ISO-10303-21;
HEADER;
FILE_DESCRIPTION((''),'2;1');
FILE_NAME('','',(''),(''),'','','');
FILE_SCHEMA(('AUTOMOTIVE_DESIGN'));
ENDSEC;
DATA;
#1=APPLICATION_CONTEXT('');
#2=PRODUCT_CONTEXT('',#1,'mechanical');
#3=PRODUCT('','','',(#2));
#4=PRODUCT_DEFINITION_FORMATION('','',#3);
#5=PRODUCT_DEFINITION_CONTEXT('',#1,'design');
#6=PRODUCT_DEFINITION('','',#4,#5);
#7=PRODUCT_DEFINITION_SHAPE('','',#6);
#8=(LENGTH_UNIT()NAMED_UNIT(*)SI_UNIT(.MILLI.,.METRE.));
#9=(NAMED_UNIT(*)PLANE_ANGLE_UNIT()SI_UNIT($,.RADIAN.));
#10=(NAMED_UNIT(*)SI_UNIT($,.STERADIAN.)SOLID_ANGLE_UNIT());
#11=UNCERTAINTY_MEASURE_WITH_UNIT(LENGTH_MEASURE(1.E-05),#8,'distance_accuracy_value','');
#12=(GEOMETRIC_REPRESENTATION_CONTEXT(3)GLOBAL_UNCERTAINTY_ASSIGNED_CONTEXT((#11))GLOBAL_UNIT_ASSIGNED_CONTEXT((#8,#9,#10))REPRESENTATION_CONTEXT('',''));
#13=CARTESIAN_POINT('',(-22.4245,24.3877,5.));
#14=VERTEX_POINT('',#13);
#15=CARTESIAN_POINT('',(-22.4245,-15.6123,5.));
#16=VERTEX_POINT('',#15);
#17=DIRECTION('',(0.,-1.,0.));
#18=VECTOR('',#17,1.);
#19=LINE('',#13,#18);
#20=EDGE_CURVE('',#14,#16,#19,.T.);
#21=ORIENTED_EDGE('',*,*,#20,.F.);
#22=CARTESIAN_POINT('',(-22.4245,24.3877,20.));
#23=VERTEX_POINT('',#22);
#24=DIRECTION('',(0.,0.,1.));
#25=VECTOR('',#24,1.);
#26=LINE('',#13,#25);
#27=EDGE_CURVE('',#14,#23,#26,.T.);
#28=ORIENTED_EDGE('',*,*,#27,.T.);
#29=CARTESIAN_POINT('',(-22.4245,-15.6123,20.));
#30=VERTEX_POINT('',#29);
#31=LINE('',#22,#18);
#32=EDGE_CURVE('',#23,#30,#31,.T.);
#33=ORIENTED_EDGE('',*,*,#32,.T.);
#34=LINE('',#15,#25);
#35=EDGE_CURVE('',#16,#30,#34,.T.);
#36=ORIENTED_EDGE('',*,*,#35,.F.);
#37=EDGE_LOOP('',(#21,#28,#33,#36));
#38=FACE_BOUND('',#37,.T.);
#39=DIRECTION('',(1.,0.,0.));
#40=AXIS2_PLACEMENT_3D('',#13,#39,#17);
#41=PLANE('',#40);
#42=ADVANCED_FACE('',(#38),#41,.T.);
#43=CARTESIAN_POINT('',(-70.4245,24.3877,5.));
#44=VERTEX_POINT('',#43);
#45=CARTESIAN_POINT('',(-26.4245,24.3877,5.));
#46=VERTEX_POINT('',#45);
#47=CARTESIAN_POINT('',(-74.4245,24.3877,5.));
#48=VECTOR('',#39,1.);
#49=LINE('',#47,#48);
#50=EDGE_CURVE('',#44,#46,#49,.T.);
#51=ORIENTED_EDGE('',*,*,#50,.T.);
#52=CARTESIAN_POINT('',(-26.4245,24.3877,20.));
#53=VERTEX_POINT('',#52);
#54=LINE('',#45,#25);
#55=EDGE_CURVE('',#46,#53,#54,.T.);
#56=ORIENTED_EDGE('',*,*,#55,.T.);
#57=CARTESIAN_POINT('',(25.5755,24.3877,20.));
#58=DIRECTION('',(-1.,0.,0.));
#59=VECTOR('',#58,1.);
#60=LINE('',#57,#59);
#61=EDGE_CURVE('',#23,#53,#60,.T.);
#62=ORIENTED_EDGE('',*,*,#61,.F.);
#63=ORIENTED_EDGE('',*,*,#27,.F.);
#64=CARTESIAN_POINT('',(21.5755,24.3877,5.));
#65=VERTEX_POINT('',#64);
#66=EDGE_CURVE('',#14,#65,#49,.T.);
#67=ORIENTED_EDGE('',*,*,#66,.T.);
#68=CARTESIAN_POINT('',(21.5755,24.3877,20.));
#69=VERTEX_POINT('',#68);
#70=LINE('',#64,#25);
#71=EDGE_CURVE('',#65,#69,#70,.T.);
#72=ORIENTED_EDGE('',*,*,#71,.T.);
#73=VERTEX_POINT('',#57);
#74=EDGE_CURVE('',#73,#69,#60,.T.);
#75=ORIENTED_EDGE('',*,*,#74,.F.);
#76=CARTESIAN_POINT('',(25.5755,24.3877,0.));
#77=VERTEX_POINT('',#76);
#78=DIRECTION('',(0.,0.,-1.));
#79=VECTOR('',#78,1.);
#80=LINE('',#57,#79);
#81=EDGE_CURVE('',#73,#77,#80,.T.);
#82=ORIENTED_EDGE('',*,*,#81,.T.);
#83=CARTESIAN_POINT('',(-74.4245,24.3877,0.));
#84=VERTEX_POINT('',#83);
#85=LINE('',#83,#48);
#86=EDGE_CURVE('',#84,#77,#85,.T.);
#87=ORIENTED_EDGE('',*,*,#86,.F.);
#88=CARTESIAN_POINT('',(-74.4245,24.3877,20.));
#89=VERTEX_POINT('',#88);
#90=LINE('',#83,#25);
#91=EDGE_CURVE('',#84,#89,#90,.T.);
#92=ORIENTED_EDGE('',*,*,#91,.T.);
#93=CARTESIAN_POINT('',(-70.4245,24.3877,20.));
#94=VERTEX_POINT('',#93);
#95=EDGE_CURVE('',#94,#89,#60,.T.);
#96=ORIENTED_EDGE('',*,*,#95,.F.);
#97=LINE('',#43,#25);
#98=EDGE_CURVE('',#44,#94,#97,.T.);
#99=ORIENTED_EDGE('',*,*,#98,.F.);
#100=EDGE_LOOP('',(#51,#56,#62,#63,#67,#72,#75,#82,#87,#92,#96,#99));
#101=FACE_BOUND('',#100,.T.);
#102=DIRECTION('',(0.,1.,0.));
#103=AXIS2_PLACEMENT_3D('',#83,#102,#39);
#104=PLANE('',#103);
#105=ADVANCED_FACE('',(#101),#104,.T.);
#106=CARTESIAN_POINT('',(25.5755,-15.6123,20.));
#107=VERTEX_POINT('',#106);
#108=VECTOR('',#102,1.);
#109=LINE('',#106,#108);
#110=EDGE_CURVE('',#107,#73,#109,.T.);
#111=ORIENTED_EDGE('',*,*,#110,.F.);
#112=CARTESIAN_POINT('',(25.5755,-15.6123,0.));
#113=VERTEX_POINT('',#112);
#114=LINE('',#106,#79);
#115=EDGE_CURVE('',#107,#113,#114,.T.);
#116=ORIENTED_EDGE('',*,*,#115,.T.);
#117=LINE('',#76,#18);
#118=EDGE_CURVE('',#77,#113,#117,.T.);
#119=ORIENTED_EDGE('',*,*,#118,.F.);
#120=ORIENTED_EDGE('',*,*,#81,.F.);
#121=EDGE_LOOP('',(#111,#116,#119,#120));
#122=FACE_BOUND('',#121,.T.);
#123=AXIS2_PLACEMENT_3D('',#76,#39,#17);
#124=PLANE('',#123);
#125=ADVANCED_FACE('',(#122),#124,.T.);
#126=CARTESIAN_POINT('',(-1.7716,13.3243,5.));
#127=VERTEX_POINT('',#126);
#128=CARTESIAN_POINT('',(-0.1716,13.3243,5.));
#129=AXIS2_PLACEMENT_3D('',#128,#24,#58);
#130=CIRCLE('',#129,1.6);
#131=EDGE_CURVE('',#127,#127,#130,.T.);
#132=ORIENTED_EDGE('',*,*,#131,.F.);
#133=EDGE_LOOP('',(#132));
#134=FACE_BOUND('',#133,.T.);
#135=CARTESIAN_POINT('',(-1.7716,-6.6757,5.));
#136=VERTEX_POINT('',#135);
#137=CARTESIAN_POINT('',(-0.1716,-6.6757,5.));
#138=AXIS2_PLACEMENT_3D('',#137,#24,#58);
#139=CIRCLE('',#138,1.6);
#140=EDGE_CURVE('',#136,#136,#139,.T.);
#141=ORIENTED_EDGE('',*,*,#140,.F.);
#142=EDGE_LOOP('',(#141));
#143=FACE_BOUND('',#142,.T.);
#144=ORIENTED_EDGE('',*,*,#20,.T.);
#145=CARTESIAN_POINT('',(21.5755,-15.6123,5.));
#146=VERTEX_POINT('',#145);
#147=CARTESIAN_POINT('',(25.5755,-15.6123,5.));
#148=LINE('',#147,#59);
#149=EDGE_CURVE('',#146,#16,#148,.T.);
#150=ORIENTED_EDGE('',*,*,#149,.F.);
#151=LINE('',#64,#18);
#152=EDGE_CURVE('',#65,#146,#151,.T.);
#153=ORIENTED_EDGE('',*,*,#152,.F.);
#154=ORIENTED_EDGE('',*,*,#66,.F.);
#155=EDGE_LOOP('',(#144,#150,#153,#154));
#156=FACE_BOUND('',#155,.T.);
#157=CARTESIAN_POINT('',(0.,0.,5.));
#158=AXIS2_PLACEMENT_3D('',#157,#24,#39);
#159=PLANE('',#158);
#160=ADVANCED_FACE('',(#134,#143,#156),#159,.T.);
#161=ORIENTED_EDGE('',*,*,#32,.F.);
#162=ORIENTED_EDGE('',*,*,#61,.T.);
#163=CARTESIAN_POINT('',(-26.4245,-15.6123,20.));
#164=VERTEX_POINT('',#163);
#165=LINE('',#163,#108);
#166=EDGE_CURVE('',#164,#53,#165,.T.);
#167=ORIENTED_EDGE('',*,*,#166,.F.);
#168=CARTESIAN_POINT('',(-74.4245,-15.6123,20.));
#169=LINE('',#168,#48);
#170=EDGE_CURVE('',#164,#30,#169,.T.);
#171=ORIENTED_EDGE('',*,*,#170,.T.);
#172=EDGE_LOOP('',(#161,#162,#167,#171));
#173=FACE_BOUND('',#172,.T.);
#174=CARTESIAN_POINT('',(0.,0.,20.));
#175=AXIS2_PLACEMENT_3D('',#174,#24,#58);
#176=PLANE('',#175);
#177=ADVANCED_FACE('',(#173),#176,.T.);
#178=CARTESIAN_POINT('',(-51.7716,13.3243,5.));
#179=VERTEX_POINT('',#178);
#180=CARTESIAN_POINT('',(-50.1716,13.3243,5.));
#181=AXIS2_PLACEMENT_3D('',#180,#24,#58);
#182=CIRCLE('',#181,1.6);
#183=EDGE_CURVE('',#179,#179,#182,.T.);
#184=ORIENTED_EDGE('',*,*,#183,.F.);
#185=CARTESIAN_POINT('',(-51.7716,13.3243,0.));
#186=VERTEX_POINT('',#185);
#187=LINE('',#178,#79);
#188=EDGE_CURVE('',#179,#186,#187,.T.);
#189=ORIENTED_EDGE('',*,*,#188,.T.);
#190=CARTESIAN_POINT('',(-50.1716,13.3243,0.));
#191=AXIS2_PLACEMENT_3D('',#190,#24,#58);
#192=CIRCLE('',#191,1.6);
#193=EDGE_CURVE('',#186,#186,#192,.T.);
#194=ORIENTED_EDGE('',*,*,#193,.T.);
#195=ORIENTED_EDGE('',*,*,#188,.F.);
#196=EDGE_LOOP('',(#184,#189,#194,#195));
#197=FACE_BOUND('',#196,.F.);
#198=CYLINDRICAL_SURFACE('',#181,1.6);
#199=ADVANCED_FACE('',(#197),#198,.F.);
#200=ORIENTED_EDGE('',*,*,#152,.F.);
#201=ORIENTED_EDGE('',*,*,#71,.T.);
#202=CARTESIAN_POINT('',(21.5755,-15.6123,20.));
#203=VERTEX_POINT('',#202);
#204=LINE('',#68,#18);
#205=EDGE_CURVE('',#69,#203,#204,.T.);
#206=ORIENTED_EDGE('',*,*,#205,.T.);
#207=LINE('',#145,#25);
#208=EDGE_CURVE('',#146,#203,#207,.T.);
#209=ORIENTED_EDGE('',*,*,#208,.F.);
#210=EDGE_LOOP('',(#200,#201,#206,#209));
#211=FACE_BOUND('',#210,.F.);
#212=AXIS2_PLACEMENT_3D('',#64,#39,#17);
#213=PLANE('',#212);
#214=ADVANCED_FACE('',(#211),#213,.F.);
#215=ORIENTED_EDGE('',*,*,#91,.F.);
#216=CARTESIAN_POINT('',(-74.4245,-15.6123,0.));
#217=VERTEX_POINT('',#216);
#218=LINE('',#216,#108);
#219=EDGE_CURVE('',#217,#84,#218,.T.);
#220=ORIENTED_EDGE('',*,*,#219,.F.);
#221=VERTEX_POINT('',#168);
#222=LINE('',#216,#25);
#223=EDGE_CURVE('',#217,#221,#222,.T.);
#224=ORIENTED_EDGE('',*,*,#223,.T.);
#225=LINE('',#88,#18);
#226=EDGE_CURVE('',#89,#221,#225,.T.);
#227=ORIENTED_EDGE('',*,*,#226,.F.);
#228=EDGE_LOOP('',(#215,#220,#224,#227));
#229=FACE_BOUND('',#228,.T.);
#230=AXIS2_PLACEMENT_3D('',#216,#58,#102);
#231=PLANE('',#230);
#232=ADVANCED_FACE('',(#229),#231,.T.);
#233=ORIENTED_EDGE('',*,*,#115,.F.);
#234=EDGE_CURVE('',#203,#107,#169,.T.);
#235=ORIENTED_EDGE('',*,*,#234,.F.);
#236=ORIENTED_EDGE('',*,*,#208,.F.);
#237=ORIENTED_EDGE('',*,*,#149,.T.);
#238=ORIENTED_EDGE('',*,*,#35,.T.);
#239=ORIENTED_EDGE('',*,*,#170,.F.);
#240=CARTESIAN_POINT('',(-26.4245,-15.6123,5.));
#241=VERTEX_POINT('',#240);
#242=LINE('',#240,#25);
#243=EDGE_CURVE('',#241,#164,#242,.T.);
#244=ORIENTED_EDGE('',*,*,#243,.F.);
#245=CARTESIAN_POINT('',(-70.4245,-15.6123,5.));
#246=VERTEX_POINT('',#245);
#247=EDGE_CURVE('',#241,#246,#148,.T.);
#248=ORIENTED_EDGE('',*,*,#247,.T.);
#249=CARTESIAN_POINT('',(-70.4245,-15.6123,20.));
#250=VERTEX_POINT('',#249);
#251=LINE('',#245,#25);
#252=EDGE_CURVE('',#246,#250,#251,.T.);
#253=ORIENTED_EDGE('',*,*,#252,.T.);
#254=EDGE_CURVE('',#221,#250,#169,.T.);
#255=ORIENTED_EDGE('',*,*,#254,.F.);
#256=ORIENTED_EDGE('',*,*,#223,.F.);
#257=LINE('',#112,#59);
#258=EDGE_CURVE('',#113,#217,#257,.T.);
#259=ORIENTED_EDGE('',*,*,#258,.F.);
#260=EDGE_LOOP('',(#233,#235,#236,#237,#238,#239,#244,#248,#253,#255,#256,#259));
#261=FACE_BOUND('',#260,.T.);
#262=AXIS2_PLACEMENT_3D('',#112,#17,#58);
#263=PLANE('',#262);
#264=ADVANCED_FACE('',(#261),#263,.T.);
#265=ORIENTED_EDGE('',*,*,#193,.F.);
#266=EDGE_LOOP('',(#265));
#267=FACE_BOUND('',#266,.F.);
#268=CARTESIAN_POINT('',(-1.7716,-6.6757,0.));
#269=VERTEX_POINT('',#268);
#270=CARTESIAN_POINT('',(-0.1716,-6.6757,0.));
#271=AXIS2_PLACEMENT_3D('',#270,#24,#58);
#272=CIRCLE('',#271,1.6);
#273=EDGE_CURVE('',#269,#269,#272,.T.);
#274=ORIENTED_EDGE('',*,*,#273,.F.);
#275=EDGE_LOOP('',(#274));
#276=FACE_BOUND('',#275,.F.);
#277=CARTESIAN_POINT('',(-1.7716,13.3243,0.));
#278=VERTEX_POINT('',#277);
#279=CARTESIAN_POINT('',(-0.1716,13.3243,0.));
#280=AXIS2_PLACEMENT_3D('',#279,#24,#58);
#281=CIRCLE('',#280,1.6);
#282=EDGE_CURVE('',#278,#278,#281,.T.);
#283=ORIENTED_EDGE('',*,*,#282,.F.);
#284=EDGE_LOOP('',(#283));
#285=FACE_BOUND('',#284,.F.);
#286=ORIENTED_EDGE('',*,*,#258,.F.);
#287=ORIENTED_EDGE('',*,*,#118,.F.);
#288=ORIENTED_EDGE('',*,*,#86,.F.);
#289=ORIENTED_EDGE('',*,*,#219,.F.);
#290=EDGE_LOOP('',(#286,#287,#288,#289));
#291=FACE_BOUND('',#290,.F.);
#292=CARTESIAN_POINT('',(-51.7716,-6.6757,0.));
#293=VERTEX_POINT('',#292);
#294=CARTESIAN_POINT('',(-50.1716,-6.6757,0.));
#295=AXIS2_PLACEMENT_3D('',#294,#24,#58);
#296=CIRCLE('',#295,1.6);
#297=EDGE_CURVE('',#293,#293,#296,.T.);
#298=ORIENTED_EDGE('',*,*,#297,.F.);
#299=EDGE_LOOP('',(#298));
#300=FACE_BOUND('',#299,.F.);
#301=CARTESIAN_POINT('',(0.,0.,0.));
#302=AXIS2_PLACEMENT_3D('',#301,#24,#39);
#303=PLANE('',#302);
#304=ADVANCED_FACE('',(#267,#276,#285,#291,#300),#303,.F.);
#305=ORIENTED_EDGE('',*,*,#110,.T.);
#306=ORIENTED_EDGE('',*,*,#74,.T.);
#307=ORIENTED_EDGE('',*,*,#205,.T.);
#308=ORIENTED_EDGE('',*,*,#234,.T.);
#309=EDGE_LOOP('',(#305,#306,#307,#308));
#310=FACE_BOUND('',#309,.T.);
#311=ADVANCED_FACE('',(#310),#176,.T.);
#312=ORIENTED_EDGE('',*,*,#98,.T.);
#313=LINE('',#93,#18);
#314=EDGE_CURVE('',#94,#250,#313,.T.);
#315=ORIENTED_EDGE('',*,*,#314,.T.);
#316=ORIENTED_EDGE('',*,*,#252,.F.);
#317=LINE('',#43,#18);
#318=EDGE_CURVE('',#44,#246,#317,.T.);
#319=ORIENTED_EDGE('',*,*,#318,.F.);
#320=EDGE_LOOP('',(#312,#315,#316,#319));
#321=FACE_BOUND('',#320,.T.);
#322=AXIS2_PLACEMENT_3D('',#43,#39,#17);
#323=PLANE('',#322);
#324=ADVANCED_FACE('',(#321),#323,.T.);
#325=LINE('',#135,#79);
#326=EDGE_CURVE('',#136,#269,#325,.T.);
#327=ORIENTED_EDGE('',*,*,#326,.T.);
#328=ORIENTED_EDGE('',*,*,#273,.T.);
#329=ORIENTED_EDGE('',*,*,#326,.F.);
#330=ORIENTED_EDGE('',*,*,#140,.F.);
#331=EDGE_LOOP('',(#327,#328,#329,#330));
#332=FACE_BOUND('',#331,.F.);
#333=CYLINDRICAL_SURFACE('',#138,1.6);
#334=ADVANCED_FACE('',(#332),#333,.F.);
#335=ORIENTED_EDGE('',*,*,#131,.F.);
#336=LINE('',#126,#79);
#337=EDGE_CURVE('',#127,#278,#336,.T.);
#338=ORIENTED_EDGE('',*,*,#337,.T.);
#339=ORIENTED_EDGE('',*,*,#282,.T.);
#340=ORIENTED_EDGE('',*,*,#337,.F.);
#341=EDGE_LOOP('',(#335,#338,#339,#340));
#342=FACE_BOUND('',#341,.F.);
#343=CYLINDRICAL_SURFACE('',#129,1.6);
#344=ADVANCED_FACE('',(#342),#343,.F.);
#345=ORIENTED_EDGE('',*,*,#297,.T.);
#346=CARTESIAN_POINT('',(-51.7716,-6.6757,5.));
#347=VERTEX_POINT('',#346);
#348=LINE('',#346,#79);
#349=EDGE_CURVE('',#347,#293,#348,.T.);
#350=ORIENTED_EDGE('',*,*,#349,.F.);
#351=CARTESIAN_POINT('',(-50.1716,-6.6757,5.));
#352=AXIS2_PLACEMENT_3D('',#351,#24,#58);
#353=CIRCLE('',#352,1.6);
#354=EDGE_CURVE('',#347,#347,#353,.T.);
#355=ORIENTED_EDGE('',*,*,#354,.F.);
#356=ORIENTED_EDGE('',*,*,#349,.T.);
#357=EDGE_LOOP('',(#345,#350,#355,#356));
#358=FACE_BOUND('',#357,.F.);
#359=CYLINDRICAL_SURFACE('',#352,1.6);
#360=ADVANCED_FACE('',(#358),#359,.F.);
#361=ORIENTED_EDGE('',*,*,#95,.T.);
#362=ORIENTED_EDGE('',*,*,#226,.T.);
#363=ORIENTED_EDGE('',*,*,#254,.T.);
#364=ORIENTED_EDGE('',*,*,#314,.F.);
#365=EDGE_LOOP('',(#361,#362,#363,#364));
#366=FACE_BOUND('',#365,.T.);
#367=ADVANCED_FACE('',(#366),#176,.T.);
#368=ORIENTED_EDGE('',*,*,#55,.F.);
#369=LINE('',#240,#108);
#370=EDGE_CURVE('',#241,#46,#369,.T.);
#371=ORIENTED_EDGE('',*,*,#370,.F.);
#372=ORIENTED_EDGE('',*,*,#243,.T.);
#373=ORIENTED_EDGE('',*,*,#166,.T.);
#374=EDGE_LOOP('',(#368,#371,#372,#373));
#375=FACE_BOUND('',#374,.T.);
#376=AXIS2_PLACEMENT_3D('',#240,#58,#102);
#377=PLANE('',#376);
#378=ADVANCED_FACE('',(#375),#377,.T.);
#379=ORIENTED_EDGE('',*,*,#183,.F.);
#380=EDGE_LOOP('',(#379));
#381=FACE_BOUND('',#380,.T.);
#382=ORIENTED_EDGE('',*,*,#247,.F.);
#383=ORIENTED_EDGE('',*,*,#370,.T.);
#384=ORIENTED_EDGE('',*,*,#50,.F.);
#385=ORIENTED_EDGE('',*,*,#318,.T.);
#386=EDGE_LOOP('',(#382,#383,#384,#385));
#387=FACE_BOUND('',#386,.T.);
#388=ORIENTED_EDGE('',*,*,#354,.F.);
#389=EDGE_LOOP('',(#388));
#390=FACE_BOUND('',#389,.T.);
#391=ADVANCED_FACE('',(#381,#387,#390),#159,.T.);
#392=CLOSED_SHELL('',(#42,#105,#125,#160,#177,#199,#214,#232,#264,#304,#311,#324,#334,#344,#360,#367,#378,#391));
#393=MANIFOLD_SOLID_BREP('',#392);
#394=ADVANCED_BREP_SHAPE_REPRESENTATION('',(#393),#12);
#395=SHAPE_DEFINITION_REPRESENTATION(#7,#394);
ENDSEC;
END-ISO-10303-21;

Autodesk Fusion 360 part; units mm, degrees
sketch "Sketch1" plane through (0, 0, 0) normal (0, 0, 1) x (1, 0, 0)
  line L0 (-74.4245, 24.3877) -> (25.5755, 24.3877)
  line L1 (25.5755, 24.3877) -> (25.5755, -15.6123)
  line L2 (25.5755, -15.6123) -> (-74.4245, -15.6123)
  line L3 (-74.4245, -15.6123) -> (-74.4245, 24.3877)
  dimension "d1" = 100
  dimension "d2" = 40
extrude "Extrude1" add sketch "Sketch1" along normal blind 5
sketch "Sketch2" plane through (0, 0, 5) normal (0, 0, 1) x (-1, 0, 0)
  line L0 (74.4245, 15.6123) -> (-25.5755, 15.6123)
  line L1 (-25.5755, 15.6123) -> (-25.5755, -24.3877)
  line L2 (-25.5755, -24.3877) -> (74.4245, -24.3877)
  line L3 (74.4245, -24.3877) -> (74.4245, 15.6123)
  line L4 (74.4245, -24.3877) -> (70.4245, -24.3877)
  line L5 (70.4245, -24.3877) -> (70.4245, 15.6123)
  line L6 (70.4245, 15.6123) -> (74.4245, 15.6123)
  line L7 (74.4245, 15.6123) -> (74.4245, -24.3877)
  line L8 (-25.5755, -24.3877) -> (-21.5755, -24.3877)
  line L9 (-21.5755, -24.3877) -> (-21.5755, 15.6123)
  line L10 (-21.5755, 15.6123) -> (-25.5755, 15.6123)
  line L11 (-25.5755, 15.6123) -> (-25.5755, -24.3877)
  line L12 (26.4245, -24.3877) -> (22.4245, -24.3877)
  line L13 (22.4245, -24.3877) -> (22.4245, 15.6123)
  line L14 (22.4245, 15.6123) -> (26.4245, 15.6123)
  line L15 (26.4245, 15.6123) -> (26.4245, -24.3877)
  point P0 (24.4245, -24.3877)
  dimension "d5" = 4
extrude "Extrude2" add sketch "Sketch2" along normal blind 15 contours L0 L2 L3 L4 L5 L6 L7 | L0 L2 L12 L13 L14 L15 | L0 L1 L2 L8 L9 L10 L11
sketch "Sketch3" plane through (0, 0, 5) normal (0, 0, 1) x (-1, 0, 0)
  line L0 (26.4245, 15.6123) -> (26.4245, -24.3877)
  line L1 (26.4245, -24.3877) -> (70.4245, -24.3877)
  line L2 (70.4245, -24.3877) -> (70.4245, 15.6123)
  line L3 (70.4245, 15.6123) -> (26.4245, 15.6123)
  circle A0 centre (50.1716, -13.3243) radius 1.6
  circle A1 centre (50.1716, 6.6757) radius 1.6
  circle A2 centre (0.1716, -13.3243) radius 1.6
  circle A3 centre (0.1716, 6.6757) radius 1.6
  point P0 (0.1716, -13.3243)
  point P1 (50.1716, 6.6757)
  point P2 (0.1716, 6.6757)
  dimension "d8" = 3.2
  dimension "d11" = -50
  dimension "d12" = 20
  dimension "d15" = 3.2
  dimension "d16" = 3.2
  dimension "d17" = 3.2
extrude "Extrude3" cut sketch "Sketch3" against normal blind 5 contours A0 | A1 | A2 | A3
